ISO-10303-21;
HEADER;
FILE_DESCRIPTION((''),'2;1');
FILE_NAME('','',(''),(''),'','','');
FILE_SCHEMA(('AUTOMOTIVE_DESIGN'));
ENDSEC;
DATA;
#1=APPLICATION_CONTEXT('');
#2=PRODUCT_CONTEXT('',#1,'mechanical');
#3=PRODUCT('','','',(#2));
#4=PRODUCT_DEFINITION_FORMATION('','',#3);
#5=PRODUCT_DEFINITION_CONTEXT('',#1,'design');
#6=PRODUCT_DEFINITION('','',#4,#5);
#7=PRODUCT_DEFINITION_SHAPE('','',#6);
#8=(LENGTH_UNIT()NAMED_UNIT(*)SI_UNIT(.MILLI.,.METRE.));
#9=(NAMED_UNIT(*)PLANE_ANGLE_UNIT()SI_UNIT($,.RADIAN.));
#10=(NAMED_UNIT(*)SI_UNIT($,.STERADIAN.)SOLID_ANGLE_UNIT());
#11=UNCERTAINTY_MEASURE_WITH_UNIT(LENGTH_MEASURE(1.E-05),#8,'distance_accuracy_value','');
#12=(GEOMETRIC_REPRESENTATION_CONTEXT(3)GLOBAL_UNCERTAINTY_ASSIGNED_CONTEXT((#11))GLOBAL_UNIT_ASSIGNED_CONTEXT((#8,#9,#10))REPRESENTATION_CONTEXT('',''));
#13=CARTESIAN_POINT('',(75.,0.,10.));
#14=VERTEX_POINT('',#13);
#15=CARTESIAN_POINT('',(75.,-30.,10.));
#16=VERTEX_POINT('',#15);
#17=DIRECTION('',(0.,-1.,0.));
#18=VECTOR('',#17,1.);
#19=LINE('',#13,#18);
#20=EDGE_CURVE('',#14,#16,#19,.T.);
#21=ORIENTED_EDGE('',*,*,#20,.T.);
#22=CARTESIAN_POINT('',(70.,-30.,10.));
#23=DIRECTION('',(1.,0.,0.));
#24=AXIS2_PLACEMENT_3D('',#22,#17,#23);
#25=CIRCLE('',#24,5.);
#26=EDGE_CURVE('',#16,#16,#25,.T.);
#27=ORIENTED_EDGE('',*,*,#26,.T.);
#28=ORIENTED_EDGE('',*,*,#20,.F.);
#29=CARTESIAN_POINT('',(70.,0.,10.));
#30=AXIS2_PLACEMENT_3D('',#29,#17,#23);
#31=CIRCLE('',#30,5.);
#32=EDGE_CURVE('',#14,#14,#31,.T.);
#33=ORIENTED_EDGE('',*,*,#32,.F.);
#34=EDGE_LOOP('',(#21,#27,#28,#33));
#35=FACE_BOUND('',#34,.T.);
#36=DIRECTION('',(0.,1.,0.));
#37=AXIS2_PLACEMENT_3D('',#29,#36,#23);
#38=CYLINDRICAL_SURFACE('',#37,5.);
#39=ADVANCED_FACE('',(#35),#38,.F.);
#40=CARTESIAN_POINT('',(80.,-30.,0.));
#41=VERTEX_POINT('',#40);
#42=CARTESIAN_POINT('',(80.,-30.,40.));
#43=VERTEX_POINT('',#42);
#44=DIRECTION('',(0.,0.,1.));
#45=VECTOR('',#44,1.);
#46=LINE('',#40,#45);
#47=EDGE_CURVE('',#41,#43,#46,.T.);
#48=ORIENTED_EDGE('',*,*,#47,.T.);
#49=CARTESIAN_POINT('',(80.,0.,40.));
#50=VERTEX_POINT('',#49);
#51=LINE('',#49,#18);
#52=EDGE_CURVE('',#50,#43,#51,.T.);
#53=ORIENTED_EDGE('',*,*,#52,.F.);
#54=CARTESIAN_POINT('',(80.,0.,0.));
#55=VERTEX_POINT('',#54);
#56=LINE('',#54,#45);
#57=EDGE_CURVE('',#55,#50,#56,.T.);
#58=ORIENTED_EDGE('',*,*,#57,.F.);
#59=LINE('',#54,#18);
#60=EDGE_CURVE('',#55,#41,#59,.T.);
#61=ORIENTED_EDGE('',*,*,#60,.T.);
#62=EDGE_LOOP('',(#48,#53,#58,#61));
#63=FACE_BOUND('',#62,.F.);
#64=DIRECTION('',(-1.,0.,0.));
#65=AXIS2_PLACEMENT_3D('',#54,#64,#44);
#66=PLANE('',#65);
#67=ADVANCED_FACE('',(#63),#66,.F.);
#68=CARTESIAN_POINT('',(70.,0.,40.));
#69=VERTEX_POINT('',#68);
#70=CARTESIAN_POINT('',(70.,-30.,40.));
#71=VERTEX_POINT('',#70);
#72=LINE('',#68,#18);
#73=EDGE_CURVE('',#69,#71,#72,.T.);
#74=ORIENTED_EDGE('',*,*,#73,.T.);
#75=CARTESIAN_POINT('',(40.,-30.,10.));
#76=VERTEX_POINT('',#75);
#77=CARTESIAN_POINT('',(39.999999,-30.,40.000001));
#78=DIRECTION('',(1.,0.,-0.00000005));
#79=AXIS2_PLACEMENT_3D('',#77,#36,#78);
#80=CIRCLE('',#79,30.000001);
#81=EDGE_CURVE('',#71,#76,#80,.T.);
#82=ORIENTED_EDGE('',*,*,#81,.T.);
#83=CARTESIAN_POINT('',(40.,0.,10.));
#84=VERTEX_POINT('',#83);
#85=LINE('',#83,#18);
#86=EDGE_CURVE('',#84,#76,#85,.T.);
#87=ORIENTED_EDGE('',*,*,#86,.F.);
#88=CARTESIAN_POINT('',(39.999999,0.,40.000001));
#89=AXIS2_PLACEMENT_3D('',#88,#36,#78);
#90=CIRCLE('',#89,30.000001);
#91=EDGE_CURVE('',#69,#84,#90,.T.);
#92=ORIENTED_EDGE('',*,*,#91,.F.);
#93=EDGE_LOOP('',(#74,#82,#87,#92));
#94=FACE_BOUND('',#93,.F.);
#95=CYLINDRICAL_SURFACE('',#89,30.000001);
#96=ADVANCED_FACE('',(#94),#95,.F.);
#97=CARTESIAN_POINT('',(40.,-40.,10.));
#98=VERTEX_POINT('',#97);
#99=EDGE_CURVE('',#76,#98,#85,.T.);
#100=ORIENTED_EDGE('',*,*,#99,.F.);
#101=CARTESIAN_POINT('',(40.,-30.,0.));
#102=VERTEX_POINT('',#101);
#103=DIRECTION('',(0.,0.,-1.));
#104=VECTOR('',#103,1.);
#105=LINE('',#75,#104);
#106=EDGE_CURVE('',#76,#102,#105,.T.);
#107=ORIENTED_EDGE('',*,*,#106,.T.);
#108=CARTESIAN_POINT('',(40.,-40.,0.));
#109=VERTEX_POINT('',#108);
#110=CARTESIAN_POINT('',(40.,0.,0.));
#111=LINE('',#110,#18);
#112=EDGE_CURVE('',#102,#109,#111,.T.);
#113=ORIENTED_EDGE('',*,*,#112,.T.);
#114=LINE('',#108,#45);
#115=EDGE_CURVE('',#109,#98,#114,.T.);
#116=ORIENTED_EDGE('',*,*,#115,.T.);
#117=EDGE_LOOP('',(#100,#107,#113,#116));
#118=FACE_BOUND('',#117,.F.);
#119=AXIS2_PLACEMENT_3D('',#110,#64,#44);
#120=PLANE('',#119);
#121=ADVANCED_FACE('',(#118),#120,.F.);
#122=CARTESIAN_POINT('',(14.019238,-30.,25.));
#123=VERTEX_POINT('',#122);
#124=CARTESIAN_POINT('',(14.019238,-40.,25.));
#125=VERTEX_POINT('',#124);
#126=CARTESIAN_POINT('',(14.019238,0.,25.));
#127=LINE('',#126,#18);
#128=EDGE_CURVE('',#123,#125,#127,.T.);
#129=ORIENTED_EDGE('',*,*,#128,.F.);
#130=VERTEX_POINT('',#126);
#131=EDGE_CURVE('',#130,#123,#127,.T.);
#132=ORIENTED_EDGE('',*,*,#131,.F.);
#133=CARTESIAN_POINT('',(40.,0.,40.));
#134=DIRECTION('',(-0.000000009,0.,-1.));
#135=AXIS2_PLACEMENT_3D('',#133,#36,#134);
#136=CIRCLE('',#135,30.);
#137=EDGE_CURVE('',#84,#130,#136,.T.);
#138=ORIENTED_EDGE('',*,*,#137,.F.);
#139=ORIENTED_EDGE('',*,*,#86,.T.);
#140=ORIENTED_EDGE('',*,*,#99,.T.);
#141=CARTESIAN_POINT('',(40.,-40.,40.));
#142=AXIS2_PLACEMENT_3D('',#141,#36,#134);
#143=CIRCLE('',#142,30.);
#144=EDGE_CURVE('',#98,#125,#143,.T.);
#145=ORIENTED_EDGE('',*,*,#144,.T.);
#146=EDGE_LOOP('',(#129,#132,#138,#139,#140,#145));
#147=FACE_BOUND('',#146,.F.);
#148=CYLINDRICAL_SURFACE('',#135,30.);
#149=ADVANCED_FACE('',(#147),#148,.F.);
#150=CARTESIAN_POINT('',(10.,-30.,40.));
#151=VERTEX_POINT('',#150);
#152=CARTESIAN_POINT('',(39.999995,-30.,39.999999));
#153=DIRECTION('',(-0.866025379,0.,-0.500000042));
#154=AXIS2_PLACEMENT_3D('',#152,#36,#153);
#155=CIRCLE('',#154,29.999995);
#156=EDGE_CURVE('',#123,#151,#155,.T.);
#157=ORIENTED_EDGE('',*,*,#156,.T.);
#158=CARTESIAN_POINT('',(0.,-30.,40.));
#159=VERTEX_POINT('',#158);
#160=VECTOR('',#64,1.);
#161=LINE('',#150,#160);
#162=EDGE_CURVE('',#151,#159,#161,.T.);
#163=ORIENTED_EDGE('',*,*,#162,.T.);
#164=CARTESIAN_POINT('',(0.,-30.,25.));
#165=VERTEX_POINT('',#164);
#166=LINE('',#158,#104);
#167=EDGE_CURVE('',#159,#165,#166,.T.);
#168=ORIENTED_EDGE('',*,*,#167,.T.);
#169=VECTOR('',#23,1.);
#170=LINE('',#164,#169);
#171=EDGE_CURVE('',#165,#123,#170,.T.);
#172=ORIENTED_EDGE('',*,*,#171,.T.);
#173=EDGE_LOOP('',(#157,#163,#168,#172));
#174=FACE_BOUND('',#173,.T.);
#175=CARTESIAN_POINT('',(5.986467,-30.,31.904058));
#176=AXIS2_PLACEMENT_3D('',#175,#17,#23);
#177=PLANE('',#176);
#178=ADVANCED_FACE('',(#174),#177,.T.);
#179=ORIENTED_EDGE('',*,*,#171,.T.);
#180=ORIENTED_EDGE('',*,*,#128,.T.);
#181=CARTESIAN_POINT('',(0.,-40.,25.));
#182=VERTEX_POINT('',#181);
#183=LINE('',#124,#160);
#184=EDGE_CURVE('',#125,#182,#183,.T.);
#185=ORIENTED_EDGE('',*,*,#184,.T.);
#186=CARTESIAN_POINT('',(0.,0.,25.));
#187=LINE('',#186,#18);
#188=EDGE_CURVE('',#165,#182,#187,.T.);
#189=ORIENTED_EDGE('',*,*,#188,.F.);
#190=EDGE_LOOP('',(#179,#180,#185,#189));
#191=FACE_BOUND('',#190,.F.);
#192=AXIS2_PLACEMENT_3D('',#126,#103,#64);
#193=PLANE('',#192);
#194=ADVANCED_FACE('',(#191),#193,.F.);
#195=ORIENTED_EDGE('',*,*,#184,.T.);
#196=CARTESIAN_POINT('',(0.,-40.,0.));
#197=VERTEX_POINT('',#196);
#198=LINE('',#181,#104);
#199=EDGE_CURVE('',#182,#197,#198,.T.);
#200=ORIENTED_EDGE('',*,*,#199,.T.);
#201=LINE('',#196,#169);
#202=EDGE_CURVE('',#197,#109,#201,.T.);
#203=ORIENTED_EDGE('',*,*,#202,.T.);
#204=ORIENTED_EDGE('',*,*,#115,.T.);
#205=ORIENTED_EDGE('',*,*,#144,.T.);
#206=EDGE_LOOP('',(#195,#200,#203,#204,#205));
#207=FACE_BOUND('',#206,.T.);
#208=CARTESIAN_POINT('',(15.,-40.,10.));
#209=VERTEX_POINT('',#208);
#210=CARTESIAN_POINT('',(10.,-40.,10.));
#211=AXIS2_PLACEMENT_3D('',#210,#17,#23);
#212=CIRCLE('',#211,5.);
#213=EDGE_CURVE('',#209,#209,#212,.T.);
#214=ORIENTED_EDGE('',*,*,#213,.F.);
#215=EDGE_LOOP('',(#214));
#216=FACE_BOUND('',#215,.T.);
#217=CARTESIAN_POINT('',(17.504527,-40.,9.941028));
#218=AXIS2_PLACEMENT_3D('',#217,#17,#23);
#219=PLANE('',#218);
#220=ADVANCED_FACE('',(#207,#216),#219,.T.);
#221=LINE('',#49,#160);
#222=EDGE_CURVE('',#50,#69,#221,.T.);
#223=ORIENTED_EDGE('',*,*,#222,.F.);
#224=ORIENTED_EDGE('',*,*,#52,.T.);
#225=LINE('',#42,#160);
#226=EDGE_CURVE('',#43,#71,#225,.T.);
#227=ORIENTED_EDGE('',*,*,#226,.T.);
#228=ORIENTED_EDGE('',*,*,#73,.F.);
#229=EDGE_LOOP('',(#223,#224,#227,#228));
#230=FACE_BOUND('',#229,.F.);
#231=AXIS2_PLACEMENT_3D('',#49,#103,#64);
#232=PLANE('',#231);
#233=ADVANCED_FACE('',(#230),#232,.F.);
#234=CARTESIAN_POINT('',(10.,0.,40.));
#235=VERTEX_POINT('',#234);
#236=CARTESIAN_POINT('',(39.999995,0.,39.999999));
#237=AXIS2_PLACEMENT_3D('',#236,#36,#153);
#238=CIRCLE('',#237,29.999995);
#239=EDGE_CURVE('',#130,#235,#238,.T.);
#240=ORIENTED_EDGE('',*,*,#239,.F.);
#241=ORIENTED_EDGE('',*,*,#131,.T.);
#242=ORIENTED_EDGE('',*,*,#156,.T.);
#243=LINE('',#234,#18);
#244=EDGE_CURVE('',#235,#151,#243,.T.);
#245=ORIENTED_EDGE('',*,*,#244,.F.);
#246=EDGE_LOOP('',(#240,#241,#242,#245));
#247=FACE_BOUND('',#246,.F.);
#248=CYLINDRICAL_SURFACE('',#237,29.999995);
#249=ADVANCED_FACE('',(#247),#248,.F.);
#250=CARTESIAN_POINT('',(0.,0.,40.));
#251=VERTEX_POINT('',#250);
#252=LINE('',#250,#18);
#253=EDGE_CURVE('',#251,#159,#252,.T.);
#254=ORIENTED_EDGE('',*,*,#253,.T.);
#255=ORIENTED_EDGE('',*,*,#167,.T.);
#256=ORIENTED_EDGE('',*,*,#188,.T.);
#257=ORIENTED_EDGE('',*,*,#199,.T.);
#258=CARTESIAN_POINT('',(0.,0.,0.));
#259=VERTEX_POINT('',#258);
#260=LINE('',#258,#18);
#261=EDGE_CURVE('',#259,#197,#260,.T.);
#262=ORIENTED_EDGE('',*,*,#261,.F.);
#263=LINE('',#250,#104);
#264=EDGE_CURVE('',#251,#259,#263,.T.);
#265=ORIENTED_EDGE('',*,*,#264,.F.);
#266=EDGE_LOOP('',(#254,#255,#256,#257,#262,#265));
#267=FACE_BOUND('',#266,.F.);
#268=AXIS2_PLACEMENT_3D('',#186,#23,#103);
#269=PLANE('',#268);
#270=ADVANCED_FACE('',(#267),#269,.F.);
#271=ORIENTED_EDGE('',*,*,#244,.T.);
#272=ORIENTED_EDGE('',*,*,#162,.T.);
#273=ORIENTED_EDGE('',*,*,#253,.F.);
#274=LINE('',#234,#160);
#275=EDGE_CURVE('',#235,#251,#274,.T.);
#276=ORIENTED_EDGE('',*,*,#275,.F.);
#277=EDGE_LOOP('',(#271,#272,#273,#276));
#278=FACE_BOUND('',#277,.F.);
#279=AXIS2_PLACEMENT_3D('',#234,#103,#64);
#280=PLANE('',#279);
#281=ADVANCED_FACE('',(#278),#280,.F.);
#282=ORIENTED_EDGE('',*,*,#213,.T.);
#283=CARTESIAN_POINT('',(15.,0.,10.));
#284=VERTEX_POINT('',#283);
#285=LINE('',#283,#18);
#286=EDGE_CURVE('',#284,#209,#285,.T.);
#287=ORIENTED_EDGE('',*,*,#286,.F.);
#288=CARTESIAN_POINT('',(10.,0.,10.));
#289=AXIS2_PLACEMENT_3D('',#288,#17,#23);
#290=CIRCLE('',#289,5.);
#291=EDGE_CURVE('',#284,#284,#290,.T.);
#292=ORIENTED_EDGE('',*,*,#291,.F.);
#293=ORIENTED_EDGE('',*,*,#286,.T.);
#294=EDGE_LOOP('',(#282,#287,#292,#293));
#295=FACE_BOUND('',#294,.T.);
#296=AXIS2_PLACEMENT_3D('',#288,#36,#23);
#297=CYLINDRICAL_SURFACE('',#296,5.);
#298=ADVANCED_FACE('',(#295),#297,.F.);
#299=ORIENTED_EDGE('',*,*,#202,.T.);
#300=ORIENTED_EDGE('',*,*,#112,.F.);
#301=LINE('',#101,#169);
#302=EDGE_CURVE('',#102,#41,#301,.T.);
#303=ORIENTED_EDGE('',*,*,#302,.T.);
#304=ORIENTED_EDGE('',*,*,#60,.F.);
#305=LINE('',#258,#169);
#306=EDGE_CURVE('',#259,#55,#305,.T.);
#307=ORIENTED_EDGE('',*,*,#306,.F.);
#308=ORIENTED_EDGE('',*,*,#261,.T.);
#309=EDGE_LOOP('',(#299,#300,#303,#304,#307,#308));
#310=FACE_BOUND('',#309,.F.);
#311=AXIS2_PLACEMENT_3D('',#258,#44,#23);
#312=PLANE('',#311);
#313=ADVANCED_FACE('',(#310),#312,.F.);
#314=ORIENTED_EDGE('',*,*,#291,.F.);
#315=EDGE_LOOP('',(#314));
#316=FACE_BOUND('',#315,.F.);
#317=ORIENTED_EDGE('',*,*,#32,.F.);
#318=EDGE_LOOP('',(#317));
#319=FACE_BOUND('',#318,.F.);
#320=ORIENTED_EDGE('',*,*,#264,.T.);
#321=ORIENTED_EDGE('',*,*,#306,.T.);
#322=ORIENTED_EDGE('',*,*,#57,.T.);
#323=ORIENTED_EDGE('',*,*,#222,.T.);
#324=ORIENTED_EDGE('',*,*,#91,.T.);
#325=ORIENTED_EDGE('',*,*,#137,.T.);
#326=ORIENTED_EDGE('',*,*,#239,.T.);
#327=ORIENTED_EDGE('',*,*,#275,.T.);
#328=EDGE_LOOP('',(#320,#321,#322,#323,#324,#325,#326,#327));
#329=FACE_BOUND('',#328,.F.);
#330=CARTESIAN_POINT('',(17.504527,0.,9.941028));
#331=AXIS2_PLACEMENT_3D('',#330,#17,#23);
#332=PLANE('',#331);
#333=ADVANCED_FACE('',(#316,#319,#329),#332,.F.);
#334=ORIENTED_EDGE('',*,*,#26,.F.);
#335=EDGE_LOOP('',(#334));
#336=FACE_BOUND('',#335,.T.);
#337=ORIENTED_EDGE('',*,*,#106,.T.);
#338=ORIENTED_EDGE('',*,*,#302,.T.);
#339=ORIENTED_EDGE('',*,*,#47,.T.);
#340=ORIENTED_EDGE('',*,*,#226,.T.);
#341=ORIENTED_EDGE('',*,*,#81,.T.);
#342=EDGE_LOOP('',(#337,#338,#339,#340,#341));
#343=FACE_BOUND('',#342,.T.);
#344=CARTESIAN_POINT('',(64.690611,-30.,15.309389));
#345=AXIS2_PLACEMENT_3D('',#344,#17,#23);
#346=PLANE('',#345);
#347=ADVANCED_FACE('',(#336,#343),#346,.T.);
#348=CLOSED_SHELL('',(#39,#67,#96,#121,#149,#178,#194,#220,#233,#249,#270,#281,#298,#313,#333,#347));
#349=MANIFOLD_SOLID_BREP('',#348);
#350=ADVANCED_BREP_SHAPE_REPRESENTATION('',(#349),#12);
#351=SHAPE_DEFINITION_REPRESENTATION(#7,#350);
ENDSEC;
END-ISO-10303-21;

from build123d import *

# Parameters (mm, degrees)
F0_R     = 5
F1_DEPTH = 30
F2_DEPTH = 40


with BuildPart() as f1:
    # F0 (on Front) → F1 (new body)
    with BuildSketch(Plane.XZ):
        with BuildLine():
            Line((40, 10), (40, 0))
            Line((40, 0), (80, 0))
            Line((80, 0), (80, 40))
            Line((80, 40), (70, 40))
            ThreePointArc((70, 40), (61.213203, 18.786797), (40, 10))
        make_face()
        with Locations((70, 10)):
            Circle(F0_R, mode=Mode.SUBTRACT)
        with BuildLine():
            Line((0, 40), (0, 25))
            Line((0, 25), (14.019238, 25))
            ThreePointArc((14.019238, 25), (11.022225, 32.235429), (10, 40))
            Line((10, 40), (0, 40))
        make_face()
    extrude(amount=F1_DEPTH)

    # F0 (on Front) → F2 (join)
    with BuildSketch(Plane.XZ):
        with BuildLine():
            Line((0, 25), (0, 0))
            Line((0, 0), (40, 0))
            Line((40, 0), (40, 10))
            ThreePointArc((40, 10), (25, 14.019238), (14.019238, 25))
            Line((14.019238, 25), (0, 25))
        make_face()
        with Locations((10, 10)):
            Circle(F0_R, mode=Mode.SUBTRACT)
    extrude(amount=F2_DEPTH)


solid = f1.part
